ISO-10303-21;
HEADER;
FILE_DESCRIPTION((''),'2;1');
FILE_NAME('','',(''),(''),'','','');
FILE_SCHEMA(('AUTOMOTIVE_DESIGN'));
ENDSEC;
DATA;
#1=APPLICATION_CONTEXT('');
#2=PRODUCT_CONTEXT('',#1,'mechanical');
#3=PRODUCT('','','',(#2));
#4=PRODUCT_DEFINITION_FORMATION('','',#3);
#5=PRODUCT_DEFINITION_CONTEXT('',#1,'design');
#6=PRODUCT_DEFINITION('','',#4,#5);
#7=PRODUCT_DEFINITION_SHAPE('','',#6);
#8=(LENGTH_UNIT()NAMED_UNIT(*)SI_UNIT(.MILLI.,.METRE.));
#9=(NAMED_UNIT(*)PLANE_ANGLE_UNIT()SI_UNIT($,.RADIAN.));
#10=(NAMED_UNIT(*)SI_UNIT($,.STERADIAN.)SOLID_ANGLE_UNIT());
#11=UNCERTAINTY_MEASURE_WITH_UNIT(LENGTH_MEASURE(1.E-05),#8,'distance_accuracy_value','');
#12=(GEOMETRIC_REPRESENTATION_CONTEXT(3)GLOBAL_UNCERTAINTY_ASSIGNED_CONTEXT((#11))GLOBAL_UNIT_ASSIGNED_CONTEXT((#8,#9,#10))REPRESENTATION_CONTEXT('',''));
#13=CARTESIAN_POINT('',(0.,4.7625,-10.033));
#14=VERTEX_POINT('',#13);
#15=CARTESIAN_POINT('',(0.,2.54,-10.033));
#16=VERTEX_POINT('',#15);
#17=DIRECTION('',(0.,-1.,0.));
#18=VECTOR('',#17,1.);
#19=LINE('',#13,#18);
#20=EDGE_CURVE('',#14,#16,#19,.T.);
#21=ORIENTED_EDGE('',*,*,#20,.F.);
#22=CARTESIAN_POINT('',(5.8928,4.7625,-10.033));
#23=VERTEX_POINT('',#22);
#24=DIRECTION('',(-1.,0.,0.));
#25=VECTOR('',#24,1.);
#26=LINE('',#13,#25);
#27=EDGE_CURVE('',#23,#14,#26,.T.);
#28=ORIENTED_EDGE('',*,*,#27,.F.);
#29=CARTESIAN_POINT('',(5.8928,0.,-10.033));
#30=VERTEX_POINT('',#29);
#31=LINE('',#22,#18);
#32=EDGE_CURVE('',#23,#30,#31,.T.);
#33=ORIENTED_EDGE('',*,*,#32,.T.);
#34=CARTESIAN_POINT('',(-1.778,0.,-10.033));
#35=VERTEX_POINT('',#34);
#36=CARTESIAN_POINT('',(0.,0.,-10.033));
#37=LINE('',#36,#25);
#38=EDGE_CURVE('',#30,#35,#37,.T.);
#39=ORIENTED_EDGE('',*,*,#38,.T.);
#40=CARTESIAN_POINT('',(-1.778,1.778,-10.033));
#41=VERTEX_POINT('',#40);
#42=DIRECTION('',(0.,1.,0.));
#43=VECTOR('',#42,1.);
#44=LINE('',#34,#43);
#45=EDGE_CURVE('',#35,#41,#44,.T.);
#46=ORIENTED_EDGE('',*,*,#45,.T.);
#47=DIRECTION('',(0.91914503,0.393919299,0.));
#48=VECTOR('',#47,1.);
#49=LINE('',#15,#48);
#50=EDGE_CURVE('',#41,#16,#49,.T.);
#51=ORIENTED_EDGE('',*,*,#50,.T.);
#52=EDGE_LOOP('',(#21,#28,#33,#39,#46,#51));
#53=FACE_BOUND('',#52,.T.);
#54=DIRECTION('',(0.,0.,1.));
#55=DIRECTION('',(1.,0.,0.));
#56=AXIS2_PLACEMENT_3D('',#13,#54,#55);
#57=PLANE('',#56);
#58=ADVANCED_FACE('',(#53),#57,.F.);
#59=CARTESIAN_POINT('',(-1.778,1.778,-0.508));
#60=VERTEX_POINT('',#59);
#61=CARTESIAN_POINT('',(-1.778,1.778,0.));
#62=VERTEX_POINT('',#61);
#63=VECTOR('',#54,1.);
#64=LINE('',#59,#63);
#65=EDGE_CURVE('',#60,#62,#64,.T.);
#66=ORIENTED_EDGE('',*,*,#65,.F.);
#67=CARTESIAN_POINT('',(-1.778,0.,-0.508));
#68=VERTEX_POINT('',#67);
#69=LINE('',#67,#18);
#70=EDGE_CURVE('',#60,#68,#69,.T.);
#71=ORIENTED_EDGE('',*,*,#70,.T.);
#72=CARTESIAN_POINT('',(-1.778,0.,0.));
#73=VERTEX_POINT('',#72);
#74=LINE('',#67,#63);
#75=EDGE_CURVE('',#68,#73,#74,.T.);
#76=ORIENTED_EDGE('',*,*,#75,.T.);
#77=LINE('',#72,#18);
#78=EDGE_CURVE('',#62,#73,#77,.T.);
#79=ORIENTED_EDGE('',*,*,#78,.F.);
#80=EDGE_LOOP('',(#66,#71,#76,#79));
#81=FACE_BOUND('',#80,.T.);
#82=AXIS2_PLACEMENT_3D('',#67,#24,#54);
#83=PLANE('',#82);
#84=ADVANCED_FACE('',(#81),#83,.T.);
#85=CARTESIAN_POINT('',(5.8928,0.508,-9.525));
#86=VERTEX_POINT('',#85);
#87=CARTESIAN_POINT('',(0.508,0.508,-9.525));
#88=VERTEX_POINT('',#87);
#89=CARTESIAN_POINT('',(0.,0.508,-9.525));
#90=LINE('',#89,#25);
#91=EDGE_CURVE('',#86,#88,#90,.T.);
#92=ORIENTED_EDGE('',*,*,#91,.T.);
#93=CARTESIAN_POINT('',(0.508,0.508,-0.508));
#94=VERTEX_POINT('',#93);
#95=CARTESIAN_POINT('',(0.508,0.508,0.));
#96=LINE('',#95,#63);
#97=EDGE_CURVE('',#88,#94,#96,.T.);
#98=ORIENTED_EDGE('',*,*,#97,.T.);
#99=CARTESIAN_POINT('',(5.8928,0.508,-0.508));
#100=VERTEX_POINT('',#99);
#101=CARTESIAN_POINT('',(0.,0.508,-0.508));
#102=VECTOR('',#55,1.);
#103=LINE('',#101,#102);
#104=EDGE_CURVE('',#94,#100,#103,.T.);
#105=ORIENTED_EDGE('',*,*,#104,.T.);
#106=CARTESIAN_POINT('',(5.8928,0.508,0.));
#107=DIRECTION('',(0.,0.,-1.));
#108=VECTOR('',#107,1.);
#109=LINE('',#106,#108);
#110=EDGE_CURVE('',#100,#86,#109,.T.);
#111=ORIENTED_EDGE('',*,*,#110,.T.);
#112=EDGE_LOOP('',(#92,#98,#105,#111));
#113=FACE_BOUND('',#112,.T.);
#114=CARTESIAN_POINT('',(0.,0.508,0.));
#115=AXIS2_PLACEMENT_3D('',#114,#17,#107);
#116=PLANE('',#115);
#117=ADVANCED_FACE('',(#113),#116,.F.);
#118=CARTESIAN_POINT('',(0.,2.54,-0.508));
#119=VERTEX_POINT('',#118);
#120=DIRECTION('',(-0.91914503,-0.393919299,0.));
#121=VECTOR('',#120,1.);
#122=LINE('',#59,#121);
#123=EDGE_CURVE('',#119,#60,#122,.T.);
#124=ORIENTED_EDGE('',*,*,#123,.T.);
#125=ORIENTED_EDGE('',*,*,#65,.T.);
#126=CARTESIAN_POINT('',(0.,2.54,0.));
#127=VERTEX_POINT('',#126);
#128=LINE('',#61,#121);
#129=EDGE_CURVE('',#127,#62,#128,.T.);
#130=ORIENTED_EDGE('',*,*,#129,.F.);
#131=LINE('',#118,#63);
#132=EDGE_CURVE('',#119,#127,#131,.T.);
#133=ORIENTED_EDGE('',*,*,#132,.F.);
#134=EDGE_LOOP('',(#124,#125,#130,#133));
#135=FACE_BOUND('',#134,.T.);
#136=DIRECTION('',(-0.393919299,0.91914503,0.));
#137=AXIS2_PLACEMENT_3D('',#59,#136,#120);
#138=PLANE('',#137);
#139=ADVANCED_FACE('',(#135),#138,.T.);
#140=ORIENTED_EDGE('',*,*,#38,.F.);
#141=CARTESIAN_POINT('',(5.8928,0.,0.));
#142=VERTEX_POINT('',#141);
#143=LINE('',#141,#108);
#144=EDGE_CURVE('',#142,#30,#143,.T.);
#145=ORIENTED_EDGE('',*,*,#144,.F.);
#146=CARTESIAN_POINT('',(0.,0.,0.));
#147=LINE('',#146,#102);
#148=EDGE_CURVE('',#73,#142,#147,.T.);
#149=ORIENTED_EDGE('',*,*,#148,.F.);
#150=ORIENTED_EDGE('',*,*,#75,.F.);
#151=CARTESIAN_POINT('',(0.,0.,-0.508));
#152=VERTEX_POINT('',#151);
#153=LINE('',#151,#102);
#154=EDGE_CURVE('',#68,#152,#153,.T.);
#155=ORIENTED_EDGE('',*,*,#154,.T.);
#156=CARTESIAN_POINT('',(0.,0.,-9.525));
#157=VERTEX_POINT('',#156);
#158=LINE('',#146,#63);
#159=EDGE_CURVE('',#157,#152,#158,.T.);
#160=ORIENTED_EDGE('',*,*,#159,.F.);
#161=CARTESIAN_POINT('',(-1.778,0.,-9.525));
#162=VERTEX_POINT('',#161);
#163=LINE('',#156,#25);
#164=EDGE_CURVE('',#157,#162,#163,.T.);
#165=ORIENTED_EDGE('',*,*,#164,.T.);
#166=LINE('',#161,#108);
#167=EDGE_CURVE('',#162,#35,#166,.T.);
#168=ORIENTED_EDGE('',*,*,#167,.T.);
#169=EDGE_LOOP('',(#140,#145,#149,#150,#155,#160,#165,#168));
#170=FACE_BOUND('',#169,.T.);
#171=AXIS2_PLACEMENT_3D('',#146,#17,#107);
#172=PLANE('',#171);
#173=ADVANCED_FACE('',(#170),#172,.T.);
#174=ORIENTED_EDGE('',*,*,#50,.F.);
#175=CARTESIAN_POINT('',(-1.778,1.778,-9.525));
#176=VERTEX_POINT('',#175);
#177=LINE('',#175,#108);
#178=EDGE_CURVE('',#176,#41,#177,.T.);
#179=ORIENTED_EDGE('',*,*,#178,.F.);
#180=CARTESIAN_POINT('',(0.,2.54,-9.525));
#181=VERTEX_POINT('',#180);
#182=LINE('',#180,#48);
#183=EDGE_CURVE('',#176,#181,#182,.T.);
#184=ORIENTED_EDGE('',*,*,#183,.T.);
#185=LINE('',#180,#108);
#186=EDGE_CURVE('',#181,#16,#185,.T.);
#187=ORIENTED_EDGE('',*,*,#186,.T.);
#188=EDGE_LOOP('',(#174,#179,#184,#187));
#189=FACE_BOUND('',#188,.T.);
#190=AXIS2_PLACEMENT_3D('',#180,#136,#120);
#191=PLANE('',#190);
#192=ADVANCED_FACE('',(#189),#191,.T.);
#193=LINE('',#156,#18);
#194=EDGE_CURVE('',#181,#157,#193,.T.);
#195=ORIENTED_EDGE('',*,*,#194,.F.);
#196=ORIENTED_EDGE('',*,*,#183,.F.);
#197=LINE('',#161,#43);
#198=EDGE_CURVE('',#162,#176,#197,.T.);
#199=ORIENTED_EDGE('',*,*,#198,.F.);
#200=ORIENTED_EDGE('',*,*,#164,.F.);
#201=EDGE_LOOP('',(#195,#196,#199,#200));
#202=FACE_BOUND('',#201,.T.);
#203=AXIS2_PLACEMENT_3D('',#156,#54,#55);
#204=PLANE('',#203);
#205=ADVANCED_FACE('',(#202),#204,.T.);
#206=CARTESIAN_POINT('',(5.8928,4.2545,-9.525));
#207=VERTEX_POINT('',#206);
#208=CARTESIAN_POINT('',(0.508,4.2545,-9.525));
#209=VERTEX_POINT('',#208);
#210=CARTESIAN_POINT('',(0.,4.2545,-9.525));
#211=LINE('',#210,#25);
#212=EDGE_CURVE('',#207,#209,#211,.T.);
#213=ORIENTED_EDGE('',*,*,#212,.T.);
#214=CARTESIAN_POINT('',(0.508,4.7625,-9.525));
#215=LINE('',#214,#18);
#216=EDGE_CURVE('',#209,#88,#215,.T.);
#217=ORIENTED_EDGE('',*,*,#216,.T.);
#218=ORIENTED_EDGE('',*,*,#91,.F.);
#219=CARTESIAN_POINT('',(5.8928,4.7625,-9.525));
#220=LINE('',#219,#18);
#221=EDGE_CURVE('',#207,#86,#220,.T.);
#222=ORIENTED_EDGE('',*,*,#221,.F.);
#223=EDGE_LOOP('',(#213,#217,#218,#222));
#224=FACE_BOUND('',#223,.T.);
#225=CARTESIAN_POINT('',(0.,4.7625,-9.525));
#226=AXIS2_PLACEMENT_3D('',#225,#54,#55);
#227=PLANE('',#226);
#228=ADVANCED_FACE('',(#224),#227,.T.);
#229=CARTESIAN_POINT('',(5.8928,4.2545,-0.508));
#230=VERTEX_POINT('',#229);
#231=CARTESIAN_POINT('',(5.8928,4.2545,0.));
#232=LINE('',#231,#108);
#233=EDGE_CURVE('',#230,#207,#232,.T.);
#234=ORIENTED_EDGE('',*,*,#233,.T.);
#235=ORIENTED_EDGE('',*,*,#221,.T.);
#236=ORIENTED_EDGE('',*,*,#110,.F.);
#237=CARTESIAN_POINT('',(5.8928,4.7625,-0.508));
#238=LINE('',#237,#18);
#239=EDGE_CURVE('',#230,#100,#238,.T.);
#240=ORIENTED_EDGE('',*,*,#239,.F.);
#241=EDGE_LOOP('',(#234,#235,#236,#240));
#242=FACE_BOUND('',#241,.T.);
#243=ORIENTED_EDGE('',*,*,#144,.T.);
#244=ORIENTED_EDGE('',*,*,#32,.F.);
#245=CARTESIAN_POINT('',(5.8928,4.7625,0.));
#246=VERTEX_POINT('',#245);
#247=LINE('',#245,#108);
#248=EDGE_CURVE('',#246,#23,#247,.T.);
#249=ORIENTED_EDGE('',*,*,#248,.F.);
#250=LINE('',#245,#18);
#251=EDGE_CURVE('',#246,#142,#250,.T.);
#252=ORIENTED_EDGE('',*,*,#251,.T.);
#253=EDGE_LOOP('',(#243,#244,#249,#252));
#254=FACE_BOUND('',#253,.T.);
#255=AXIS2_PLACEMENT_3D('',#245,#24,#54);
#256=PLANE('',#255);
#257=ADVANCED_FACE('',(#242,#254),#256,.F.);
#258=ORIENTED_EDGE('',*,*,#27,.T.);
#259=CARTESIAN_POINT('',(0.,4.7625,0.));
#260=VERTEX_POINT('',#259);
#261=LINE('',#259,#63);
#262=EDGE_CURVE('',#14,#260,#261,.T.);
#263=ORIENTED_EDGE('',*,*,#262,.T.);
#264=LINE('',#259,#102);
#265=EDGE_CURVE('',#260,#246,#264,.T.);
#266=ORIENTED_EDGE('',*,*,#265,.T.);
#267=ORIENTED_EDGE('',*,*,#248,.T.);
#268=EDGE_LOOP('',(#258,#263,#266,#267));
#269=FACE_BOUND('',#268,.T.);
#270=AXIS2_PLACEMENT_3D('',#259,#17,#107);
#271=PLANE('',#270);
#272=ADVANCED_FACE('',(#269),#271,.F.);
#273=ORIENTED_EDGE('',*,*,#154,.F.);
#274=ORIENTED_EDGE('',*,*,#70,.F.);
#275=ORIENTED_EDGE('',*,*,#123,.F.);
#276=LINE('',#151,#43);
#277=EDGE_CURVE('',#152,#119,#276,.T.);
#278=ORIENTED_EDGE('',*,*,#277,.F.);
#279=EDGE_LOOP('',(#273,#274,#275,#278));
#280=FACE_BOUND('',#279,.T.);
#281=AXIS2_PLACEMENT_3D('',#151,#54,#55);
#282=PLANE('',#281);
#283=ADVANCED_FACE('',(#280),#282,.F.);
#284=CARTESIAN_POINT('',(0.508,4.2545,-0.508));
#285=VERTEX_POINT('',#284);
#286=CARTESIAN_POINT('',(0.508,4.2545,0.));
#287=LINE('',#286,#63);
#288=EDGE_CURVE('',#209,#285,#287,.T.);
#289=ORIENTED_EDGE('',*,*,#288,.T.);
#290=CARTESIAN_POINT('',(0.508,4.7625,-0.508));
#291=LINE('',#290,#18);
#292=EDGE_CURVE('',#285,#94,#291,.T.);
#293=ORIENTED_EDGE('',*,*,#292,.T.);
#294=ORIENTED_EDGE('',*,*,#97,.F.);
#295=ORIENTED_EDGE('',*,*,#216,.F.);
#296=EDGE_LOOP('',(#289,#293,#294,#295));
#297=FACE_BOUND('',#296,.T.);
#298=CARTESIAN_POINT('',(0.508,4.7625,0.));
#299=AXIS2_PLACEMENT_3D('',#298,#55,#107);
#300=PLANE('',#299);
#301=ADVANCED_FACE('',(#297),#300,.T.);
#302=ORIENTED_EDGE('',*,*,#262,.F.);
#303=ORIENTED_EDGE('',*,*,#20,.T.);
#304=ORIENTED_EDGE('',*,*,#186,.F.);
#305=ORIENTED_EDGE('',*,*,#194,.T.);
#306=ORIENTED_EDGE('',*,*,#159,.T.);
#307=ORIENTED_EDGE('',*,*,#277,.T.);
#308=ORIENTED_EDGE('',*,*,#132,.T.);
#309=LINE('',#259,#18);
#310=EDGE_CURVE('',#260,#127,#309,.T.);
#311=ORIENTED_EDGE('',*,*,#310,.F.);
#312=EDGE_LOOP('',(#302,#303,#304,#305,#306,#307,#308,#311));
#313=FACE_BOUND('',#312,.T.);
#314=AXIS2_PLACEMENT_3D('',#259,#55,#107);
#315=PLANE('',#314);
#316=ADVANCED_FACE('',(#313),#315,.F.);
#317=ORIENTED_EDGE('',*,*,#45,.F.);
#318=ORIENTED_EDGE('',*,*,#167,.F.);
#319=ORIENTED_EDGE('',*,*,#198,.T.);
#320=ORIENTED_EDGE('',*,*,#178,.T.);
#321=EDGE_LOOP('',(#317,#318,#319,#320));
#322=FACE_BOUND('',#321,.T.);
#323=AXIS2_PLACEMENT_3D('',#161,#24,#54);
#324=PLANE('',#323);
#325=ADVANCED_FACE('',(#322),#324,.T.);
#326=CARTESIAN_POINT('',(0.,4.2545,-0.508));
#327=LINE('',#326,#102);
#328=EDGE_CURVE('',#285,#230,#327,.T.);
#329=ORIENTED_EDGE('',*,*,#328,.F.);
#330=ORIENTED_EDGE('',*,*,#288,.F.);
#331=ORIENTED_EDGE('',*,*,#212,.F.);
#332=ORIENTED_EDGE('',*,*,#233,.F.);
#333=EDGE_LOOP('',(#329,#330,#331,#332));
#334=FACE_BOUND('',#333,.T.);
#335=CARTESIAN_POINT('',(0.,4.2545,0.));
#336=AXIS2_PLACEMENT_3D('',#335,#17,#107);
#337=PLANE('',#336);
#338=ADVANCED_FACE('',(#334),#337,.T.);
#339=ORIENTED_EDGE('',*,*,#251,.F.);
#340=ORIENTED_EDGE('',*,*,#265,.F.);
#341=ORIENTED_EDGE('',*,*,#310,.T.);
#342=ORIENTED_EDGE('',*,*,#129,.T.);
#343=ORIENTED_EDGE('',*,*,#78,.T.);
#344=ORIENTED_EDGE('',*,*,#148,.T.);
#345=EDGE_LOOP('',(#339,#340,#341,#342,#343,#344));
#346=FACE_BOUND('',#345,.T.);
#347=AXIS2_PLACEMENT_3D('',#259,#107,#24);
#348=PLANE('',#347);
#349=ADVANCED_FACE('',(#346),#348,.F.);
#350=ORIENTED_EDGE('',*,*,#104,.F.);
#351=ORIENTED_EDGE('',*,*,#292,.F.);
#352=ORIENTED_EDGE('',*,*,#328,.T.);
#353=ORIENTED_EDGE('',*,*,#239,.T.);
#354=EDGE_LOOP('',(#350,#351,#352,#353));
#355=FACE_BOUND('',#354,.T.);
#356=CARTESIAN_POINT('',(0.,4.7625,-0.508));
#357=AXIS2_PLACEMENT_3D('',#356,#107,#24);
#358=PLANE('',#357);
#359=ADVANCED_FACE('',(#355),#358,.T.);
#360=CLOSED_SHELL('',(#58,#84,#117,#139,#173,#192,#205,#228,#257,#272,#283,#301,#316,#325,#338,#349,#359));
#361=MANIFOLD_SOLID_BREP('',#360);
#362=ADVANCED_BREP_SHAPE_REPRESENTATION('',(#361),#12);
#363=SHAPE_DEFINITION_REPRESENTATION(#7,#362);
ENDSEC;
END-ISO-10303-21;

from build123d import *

# Parameters (mm, degrees)
SKETCH1_W           = 5.8928
SKETCH1_H           = 10.033
BOSS_EXTRUDE1_DEPTH = 4.7625
SHELL3_T            = -0.508
BOSS_EXTRUDE2_DEPTH = 0.508
BOSS_EXTRUDE3_DEPTH = 0.508


with BuildPart() as part:
    # Sketch1 → Boss-Extrude1 (new body)
    with BuildSketch(Plane(origin=(0, 0, 0), x_dir=(1, 0, 0), z_dir=(0, 1, 0))):
        with Locations((2.9464, 5.0165)):
            Rectangle(SKETCH1_W, SKETCH1_H)
    extrude(amount=BOSS_EXTRUDE1_DEPTH)

    # Shell3
    shell3_openings = [part.faces().sort_by_distance(p)[0] for p in [
        (5.8928, 2.38125, -5.0165),
    ]]
    offset(amount=SHELL3_T, openings=shell3_openings, kind=Kind.INTERSECTION)

    # Sketch2 → Boss-Extrude2 (add)
    with BuildSketch(Plane.XY):
        Polygon((-1.778, 1.778), (0, 2.54), (0, 0), (-1.778, 0), align=None)
    extrude(amount=-BOSS_EXTRUDE2_DEPTH)

    # Sketch3 → Boss-Extrude3 (add)
    with BuildSketch(Plane(origin=(0, 0, -10.033), x_dir=(-1, 0, 0), z_dir=(0, 0, -1))):
        Polygon((0, 2.54), (1.778, 1.778), (1.778, 0), (0, 0), (0, 1.778), align=None)
    extrude(amount=-BOSS_EXTRUDE3_DEPTH)


solid = part.part
